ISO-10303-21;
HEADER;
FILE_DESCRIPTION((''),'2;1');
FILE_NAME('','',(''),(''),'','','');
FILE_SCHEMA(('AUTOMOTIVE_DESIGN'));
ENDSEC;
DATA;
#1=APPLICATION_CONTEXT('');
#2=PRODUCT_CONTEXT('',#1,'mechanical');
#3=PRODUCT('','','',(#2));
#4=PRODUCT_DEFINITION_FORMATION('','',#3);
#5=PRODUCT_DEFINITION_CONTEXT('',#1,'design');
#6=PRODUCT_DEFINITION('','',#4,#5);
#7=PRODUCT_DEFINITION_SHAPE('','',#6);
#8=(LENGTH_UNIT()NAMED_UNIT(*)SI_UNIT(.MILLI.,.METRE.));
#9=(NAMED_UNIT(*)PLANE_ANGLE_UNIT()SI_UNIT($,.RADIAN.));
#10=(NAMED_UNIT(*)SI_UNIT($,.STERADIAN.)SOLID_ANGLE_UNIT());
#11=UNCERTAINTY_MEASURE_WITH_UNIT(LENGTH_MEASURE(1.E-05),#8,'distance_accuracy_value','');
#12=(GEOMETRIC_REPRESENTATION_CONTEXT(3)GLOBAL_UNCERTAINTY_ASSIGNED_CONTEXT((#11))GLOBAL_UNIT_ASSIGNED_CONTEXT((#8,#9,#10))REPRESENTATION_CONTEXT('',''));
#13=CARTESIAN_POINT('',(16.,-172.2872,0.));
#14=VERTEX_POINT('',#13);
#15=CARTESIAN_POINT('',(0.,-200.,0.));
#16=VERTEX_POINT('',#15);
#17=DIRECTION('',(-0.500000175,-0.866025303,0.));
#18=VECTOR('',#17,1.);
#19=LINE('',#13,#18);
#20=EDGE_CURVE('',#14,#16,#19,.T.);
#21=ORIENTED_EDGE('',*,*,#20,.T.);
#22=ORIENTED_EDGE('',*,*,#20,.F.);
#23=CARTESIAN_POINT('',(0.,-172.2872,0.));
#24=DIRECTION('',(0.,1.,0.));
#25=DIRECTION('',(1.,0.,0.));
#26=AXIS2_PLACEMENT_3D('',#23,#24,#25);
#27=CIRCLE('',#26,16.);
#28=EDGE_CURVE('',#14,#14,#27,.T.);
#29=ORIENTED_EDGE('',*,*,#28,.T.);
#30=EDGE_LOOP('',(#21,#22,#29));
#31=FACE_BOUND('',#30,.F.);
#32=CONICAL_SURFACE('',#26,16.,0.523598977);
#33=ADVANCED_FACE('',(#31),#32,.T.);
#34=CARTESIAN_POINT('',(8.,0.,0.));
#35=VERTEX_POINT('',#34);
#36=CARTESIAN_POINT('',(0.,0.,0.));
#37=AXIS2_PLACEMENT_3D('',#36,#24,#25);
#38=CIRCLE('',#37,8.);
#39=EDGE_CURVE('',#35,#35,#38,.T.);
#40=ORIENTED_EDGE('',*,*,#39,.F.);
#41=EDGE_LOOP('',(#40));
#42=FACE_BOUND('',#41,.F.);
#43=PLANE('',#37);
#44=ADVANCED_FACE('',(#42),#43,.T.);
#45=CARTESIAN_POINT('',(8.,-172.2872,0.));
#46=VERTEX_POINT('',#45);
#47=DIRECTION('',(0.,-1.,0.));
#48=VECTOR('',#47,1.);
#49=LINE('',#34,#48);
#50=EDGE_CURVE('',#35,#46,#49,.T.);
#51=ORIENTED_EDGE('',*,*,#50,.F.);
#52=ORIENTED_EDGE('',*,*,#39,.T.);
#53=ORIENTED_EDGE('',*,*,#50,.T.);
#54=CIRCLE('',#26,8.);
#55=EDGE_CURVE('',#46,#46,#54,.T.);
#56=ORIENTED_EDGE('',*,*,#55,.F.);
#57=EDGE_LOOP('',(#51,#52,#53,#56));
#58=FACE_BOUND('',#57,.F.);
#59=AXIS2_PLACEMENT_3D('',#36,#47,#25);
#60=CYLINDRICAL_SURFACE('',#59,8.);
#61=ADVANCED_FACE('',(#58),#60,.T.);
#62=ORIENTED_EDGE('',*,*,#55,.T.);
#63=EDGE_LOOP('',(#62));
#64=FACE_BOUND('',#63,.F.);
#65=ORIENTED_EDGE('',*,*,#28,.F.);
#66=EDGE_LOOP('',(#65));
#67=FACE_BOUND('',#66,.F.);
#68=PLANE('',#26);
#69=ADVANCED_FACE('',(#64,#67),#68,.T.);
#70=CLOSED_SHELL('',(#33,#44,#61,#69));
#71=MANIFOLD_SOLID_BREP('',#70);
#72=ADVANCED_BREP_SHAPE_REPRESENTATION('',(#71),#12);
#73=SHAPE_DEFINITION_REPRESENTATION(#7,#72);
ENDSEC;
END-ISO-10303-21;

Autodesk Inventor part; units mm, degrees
ref_plane "YZ Plane" through (0, 0, 0) normal (1, 0, 0) x (0, 1, 0)
ref_plane "XZ Plane" through (0, 0, 0) normal (0, 1, 0) x (-1, 0, 0)
ref_plane "XY Plane" through (0, 0, 0) normal (0, 0, 1) x (1, 0, 0)
sketch "Sketch1" plane through (0, 0, 0) normal (0, 0, 1) x (1, 0, 0)
  line L0 (0, 0) -> (8, 0)
  line L1 (8, 0) -> (8, -172.2872)
  line L2 (8, -172.2872) -> (16, -172.2872)
  line L3 (16, -172.2872) -> (0, -200)
  line L4 (0, -200) -> (0, 0)
  dimension "d0" = 8
  dimension "d3" = 16
  dimension "d4" = 30
  dimension "d6" = 200
revolve "Revolution1" add sketch "Sketch1" angle 360 about axis through (0, -200, 0) along (0, 1, 0)
properties part number "Arrow"
